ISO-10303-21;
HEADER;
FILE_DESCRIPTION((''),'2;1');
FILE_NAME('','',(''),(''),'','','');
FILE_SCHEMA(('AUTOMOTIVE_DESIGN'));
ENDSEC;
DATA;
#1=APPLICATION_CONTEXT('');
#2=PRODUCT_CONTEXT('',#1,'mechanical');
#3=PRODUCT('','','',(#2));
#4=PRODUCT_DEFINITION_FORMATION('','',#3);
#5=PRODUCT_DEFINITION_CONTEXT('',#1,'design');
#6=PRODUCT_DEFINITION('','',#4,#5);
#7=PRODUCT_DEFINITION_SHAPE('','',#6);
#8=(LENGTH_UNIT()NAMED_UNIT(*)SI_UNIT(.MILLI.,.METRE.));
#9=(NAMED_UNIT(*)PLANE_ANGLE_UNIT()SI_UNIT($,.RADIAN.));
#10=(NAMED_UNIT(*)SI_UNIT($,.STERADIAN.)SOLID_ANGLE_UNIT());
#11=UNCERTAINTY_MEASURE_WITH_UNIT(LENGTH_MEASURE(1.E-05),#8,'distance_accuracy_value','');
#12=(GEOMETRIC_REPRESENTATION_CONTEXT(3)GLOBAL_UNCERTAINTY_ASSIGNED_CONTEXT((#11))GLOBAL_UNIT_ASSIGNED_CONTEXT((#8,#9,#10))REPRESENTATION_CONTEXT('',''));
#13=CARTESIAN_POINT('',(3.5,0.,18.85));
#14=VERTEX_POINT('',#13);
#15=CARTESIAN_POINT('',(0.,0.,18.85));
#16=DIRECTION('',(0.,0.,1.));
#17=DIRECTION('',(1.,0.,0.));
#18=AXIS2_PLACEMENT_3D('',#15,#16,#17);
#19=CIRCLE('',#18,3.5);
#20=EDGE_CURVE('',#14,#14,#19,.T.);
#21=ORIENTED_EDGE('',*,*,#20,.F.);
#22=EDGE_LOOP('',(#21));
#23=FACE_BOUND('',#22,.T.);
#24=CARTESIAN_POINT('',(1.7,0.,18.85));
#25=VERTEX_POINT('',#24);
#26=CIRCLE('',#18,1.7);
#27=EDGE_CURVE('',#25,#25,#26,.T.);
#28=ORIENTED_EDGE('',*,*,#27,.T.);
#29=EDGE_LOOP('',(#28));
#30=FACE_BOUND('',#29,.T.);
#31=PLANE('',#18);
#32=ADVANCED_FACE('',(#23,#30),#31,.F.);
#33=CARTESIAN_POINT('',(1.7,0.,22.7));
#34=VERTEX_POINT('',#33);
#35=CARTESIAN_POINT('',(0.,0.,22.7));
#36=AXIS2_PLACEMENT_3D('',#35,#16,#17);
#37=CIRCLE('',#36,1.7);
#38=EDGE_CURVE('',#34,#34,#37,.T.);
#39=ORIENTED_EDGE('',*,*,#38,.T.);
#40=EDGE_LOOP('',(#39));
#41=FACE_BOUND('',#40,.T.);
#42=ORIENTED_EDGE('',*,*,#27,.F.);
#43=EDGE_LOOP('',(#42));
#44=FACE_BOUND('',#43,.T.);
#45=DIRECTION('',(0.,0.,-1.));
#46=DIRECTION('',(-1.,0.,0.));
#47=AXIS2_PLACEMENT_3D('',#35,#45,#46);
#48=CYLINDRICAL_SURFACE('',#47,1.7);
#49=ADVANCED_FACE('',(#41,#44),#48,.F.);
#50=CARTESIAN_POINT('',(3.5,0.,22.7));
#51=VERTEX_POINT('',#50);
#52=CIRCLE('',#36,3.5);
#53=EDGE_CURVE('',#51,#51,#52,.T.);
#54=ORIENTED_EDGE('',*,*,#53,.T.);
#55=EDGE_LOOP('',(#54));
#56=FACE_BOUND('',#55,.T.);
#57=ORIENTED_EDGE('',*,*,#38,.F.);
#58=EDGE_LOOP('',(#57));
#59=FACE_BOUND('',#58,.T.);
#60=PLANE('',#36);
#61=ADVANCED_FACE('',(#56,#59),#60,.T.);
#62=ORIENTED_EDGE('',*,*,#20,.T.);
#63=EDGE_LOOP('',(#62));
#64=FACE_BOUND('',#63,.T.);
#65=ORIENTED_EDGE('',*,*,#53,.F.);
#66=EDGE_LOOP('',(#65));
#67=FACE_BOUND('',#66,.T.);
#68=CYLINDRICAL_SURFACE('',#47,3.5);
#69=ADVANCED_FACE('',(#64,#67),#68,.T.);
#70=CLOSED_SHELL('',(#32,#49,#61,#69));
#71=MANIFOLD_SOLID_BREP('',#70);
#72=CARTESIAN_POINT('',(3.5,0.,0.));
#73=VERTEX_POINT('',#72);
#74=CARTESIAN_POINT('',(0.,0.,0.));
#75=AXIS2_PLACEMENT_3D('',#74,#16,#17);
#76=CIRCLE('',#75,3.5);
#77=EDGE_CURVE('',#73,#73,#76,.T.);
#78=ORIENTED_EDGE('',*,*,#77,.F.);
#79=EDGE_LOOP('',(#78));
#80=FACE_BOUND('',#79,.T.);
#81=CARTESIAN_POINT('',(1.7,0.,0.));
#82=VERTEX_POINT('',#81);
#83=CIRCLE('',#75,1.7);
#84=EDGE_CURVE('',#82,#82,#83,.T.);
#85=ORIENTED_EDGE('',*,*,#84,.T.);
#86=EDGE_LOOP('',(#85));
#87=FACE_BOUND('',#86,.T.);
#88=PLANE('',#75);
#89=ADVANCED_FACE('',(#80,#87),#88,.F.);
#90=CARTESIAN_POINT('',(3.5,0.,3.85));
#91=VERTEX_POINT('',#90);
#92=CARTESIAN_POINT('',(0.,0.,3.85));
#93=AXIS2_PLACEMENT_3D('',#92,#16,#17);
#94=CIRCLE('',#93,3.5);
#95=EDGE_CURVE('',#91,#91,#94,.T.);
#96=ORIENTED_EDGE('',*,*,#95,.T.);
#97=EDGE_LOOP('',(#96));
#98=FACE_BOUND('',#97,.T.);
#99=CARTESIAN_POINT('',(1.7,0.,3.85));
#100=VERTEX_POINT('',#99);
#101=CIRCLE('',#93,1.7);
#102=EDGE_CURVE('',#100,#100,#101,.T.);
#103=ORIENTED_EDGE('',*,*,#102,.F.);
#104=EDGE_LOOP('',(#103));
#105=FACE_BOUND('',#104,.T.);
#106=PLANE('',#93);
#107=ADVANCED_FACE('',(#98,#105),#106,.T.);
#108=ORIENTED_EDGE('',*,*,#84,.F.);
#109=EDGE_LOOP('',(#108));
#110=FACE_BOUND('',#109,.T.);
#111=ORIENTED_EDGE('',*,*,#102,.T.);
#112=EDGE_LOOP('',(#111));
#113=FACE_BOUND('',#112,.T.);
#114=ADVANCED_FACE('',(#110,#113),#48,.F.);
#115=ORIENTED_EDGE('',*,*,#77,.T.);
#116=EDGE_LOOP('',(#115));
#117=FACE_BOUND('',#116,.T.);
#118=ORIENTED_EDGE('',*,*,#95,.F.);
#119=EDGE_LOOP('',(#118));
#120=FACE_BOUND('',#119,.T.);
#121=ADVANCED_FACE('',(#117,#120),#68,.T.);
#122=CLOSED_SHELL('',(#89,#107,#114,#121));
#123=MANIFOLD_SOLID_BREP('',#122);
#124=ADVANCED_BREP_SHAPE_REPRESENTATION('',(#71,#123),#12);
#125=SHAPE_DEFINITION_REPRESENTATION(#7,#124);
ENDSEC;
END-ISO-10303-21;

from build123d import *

# Parameters (mm, degrees)
SKETCH_1_R          = 3.5
SKETCH_1_R_2        = 1.7
EXTRUDE_1_DEPTH     = 22.7
SKETCH_2_R          = 3.5
CUT_EXTRUDE_1_DEPTH = 7.5


with BuildPart() as part:
    # 草图1 → 凸台-拉伸1 (new body)
    with BuildSketch(Plane.XY):
        Circle(SKETCH_1_R)
        Circle(SKETCH_1_R_2, mode=Mode.SUBTRACT)
    extrude(amount=EXTRUDE_1_DEPTH)

    # 草图2 → 切除-拉伸1 (cut, symmetric)
    with BuildSketch(Plane.XY.offset(11.35)):
        Circle(SKETCH_2_R)
    extrude(amount=CUT_EXTRUDE_1_DEPTH, both=True, mode=Mode.SUBTRACT)


with BuildPart() as cut_extrude_1_piece_1:
    # of the separate pieces the step leaves, piece 1, a body of its own (cut_extrude_1_pieces)
    add(part.part.solids().sort_by_distance((3.5, 0, 0))[0])


with BuildPart() as cut_extrude_1_piece_2:
    # of the separate pieces the step leaves, piece 2, a body of its own (cut_extrude_1_pieces)
    add(part.part.solids().sort_by_distance((3.5, 0, 18.85))[0])


solid = Compound([cut_extrude_1_piece_1.part, cut_extrude_1_piece_2.part])
